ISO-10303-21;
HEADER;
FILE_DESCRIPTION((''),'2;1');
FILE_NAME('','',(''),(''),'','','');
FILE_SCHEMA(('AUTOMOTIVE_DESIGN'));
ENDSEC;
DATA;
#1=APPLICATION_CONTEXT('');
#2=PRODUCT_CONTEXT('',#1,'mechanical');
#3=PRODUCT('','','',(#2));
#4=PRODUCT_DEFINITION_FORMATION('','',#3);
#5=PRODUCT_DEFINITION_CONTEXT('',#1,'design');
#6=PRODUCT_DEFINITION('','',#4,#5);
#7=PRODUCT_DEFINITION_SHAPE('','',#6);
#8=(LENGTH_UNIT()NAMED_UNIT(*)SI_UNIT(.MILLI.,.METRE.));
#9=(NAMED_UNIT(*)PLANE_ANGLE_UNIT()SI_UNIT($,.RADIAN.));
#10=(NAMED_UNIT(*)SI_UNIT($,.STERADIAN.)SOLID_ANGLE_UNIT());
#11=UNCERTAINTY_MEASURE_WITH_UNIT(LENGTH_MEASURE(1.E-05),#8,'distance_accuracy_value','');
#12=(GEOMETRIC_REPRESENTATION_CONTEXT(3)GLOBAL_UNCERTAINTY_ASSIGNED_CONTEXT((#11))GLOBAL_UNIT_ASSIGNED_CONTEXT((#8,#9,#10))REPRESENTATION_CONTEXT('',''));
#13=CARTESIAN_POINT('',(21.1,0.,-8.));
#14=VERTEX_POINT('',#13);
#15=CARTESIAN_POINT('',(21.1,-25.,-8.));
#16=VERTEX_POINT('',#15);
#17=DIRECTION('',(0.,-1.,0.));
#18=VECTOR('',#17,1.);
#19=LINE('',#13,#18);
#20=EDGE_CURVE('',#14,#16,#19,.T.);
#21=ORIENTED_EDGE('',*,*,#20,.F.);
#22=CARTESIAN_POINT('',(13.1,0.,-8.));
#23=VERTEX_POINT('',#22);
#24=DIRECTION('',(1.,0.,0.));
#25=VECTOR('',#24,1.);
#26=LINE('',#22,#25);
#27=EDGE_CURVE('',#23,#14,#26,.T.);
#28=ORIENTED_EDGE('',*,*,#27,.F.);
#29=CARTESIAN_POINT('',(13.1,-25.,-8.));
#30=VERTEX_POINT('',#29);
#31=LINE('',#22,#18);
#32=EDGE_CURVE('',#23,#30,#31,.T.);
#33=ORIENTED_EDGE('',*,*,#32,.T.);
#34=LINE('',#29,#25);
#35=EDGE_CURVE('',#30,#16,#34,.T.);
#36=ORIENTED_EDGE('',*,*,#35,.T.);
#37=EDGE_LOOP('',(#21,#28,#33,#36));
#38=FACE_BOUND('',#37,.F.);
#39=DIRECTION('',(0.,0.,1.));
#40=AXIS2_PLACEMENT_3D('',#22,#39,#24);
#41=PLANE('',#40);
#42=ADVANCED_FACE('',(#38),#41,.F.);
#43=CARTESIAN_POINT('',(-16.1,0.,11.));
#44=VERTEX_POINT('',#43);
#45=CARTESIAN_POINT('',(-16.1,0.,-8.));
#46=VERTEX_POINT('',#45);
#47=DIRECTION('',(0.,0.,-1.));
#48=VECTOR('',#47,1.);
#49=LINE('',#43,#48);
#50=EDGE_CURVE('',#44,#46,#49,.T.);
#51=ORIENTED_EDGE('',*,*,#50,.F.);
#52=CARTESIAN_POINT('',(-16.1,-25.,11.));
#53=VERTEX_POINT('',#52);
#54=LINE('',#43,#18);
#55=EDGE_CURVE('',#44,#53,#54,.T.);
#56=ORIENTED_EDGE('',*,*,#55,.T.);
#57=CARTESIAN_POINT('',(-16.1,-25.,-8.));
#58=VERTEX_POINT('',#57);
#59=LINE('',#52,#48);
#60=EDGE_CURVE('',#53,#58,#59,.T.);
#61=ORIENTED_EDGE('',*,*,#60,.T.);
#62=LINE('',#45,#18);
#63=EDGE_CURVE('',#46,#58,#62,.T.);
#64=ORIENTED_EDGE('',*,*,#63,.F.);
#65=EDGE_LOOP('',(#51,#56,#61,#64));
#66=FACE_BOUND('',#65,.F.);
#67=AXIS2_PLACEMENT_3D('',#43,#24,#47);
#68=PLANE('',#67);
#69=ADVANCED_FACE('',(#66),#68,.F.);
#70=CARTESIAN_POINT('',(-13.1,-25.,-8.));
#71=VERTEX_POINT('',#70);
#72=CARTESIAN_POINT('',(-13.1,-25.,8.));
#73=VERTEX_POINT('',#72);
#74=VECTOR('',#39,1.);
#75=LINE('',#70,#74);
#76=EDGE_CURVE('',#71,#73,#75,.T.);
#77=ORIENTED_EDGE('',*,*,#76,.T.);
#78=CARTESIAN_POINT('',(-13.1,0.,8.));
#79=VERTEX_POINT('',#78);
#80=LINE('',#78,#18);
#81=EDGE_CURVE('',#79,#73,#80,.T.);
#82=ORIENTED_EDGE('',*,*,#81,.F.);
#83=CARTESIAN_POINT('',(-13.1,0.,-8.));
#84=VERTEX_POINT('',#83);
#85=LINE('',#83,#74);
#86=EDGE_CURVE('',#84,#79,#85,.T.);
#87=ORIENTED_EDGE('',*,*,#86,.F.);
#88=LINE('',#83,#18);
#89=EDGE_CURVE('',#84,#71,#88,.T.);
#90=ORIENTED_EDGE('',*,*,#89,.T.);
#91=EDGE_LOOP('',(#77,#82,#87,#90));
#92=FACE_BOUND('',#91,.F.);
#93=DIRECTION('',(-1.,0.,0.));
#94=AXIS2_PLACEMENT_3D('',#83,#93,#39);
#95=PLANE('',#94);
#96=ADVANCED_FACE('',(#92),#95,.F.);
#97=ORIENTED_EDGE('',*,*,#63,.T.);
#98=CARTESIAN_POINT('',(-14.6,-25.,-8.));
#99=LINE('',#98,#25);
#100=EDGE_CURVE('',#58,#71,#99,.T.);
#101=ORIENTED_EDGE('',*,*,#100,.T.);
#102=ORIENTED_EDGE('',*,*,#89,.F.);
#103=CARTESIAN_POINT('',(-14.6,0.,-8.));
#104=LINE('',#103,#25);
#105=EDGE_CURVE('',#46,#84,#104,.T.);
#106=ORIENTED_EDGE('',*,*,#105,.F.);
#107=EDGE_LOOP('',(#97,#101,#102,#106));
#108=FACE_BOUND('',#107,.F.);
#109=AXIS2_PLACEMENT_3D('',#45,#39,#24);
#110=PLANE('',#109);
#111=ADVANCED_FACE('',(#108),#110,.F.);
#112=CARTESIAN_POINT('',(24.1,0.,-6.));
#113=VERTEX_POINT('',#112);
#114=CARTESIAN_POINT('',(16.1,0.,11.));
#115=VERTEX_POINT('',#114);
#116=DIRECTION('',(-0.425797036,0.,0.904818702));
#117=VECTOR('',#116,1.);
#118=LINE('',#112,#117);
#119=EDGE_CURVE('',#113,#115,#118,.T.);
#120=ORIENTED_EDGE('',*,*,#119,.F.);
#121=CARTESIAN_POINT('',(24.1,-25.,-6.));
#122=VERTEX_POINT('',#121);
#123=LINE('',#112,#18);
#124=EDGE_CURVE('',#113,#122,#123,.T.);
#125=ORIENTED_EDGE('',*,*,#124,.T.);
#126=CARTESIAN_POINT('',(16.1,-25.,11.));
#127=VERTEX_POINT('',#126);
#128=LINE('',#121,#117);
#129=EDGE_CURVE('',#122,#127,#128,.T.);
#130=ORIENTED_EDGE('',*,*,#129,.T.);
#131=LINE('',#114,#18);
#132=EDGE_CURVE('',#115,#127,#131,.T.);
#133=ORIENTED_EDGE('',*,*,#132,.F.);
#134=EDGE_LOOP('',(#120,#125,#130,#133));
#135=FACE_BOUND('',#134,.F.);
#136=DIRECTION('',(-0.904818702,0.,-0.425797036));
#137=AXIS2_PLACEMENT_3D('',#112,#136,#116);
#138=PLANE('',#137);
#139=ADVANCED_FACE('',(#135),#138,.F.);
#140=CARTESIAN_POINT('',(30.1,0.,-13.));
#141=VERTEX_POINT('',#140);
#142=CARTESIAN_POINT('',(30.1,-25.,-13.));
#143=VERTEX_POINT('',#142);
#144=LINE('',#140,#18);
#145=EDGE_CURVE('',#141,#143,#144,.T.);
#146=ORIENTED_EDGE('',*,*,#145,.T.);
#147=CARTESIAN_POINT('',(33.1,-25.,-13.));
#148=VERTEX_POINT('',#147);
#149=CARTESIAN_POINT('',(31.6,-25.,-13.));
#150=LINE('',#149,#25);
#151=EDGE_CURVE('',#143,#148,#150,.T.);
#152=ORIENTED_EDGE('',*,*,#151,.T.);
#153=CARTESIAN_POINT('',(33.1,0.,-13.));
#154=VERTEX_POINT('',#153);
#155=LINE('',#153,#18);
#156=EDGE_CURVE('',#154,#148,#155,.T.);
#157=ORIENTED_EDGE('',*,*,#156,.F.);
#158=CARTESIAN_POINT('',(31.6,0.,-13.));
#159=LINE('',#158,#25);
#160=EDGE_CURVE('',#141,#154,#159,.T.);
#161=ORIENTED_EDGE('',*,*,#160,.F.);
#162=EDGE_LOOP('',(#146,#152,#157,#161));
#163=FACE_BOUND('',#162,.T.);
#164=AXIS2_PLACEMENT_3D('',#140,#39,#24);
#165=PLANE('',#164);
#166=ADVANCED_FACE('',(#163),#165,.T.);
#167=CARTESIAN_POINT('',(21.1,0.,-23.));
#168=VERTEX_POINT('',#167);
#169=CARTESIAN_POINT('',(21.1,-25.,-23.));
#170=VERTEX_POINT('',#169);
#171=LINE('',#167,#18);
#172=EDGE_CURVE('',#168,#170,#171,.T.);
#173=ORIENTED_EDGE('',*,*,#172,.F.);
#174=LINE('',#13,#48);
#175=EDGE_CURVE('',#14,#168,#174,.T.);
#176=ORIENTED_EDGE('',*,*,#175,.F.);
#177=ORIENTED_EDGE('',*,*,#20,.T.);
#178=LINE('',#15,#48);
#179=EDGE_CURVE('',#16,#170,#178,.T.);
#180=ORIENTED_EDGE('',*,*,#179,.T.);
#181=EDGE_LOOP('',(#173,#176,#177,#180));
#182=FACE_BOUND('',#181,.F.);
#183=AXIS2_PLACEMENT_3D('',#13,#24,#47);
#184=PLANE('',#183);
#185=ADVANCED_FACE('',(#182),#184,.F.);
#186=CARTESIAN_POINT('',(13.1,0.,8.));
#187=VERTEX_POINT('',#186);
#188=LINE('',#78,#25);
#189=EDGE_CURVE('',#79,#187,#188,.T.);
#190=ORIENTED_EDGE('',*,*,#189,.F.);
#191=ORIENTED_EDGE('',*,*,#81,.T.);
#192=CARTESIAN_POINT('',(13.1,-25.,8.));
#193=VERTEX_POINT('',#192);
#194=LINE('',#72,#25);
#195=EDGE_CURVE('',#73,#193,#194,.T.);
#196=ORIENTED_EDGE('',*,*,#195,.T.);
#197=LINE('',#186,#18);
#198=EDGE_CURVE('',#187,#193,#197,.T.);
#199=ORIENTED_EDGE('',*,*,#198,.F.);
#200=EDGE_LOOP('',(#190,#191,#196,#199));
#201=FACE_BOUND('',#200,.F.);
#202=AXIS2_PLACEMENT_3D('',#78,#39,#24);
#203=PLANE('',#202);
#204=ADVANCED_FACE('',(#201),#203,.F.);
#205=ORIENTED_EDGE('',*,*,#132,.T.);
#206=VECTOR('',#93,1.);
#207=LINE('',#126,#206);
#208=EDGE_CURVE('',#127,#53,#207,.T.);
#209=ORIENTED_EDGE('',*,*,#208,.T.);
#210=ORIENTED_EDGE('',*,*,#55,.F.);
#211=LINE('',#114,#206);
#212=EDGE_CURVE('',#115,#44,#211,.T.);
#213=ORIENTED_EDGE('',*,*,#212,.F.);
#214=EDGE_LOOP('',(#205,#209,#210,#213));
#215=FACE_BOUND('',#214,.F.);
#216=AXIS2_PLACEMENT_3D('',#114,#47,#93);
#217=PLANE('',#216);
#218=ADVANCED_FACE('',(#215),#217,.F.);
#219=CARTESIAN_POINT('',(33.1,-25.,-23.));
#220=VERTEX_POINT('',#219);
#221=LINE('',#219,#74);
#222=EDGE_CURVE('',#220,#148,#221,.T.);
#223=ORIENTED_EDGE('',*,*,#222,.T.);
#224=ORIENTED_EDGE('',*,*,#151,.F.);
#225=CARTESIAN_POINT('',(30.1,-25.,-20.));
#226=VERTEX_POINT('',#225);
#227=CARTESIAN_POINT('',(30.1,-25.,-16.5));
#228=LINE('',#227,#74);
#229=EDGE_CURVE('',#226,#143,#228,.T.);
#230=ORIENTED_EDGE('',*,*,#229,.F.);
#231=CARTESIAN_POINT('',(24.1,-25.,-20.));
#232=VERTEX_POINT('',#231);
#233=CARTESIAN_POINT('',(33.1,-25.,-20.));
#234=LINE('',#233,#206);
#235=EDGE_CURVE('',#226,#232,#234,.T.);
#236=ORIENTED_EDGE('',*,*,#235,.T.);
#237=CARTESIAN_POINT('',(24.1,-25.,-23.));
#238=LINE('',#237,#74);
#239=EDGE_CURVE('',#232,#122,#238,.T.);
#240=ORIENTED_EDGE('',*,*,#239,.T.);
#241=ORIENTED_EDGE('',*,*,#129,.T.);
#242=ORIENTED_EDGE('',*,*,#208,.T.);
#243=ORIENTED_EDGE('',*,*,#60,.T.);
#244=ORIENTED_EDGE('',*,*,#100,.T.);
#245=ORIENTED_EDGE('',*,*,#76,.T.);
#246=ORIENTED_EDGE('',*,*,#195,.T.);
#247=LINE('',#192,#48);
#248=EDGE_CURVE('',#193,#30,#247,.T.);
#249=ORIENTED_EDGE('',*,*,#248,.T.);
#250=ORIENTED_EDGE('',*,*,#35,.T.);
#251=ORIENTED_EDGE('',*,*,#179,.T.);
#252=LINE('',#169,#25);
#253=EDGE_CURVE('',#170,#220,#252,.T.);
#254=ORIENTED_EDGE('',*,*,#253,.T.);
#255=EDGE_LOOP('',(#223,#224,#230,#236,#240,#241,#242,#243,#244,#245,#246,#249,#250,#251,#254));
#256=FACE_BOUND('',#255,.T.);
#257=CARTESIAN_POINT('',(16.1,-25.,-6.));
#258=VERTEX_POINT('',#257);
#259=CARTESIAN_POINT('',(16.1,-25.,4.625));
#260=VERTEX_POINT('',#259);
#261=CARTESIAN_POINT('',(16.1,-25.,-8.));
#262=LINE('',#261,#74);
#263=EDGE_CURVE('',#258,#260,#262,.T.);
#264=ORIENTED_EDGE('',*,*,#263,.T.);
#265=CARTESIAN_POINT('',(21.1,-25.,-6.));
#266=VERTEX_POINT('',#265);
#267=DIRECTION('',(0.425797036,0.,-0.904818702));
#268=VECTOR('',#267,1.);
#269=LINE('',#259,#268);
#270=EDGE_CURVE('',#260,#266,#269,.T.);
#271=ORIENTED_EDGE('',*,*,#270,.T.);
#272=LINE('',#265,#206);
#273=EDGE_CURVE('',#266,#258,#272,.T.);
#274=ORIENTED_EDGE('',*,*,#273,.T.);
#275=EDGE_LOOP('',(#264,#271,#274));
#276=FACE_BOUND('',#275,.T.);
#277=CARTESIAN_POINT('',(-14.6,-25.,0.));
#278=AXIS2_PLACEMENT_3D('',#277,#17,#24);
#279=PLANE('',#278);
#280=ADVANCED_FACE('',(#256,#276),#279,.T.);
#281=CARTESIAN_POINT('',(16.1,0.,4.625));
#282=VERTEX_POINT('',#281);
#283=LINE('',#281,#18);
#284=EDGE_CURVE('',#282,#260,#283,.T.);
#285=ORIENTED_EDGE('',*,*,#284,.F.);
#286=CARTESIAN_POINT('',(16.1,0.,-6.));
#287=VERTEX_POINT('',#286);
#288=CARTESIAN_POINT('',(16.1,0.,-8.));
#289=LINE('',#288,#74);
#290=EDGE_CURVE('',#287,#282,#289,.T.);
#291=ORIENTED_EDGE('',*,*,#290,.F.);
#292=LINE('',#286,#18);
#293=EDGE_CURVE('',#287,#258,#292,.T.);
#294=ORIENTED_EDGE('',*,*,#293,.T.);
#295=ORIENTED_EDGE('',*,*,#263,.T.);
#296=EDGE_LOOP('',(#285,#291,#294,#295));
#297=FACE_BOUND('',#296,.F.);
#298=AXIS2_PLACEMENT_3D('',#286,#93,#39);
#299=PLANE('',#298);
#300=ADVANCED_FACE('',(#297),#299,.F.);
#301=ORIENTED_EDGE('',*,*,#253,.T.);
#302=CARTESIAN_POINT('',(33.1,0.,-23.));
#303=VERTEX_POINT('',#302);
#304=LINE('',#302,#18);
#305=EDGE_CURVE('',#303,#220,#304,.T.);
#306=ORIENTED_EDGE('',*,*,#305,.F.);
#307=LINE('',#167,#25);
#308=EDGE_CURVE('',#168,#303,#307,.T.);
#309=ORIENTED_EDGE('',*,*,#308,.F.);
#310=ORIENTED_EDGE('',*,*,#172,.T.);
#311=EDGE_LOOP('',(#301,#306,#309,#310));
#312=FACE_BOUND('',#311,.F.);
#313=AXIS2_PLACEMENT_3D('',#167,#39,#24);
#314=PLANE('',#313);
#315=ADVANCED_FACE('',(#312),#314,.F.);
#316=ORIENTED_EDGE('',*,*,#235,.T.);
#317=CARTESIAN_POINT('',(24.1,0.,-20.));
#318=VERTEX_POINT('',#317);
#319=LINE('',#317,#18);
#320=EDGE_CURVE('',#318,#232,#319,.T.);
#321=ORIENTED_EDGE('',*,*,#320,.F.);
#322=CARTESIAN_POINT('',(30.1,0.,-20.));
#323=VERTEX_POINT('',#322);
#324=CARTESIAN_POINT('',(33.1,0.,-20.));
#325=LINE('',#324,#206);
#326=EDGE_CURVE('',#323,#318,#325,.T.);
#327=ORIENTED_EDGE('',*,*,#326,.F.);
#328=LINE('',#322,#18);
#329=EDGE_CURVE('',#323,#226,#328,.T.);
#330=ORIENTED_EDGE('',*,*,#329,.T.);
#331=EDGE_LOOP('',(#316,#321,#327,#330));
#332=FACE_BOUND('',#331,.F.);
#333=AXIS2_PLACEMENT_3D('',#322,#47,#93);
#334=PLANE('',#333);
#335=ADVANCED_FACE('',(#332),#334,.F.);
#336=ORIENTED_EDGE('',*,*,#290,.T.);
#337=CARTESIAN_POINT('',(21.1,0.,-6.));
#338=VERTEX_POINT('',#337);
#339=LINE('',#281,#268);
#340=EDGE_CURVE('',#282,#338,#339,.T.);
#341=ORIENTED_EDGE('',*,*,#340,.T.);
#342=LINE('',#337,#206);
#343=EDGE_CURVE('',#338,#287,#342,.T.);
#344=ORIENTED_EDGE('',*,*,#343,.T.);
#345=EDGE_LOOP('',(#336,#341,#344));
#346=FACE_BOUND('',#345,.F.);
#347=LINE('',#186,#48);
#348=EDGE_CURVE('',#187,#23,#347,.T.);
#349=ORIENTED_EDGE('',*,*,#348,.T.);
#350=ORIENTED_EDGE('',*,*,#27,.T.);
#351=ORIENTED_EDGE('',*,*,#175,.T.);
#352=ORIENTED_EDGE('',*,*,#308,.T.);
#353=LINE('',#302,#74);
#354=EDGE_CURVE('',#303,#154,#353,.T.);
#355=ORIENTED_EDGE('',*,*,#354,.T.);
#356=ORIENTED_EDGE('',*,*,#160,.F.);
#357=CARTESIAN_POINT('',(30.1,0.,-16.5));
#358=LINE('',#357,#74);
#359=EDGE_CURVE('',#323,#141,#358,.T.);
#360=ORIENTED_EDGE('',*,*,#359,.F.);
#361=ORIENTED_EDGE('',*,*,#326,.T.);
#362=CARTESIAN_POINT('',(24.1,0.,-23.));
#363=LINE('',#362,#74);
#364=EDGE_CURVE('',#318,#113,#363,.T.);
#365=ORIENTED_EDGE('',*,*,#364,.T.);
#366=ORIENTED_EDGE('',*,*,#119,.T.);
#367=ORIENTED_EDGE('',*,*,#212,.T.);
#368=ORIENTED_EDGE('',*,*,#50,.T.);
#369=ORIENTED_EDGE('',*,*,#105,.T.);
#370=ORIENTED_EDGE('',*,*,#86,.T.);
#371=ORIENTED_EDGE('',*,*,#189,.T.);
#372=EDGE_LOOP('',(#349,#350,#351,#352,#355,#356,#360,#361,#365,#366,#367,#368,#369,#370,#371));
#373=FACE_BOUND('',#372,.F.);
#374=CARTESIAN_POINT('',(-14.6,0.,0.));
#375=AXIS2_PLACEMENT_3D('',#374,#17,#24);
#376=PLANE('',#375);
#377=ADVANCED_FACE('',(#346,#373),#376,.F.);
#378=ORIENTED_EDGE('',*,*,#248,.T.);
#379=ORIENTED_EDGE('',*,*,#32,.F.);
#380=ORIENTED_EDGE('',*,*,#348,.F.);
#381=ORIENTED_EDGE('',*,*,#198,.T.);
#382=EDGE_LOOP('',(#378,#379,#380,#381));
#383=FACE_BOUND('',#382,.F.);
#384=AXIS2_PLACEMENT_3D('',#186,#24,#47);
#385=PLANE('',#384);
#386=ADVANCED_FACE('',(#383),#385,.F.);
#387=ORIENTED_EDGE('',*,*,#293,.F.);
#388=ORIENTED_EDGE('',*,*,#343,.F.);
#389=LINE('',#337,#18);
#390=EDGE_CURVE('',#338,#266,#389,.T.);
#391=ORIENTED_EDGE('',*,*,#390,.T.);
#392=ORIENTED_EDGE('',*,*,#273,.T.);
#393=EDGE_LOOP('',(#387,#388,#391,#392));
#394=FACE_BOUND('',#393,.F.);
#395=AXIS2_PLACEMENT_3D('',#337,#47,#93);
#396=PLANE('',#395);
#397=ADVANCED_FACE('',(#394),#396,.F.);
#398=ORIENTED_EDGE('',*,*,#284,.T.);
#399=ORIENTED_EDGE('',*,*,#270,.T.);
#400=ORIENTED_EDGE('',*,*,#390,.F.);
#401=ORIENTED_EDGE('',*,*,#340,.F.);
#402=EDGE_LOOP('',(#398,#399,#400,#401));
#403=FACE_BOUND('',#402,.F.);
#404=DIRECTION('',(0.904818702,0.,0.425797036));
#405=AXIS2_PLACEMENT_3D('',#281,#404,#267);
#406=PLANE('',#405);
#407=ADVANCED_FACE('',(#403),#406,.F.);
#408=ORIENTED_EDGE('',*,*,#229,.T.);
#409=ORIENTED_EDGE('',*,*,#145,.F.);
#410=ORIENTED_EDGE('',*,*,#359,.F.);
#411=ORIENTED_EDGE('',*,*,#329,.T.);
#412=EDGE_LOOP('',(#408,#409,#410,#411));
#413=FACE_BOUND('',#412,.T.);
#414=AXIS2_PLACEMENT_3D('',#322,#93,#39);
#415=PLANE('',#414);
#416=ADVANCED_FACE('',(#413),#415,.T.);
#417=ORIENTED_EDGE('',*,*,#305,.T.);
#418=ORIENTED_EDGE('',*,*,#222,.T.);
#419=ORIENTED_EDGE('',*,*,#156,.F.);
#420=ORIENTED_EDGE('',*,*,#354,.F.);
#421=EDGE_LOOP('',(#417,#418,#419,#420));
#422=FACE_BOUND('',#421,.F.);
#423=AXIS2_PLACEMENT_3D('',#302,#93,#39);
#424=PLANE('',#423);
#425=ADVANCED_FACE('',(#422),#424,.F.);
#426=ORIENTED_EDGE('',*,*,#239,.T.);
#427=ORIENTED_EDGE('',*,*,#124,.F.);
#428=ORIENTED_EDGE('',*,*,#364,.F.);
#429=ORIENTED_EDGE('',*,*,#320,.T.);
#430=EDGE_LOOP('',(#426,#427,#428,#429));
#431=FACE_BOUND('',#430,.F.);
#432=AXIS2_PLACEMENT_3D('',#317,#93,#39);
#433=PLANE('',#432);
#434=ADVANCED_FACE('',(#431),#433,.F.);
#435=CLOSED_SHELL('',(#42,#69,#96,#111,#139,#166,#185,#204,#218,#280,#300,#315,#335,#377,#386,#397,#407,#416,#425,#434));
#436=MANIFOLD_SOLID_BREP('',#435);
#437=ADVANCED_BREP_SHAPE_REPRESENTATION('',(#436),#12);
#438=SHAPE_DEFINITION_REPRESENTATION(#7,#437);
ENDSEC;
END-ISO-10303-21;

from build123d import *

# Parameters (mm, degrees)
F0_W     = 3
F0_H     = 16
F0_H_2   = 3
F0_W_2   = 26.2
F0_H_3   = 7
F1_DEPTH = 25


with BuildPart() as f1:
    # F0 (on Front) → F1 (new body)
    with BuildSketch(Plane.XZ):
        with Locations((-14.6, 0)):
            Rectangle(F0_W, F0_H)
        with Locations((-14.6, 9.5)):
            Rectangle(F0_W, F0_H_2)
        with Locations((0, 9.5)):
            Rectangle(F0_W_2, F0_H_2)
        with Locations((14.6, 9.5)):
            Rectangle(F0_W, F0_H_2)
        Polygon((13.1, 8), (13.1, -8), (16.1, -8), (16.1, -6), (16.1, 4.625), (16.1, 8), align=None)
        Polygon((16.1, 11), (16.1, 8), (16.1, 4.625), (21.1, -6), (24.1, -6), align=None)
        Polygon((16.1, -6), (16.1, -8), (21.1, -8), (24.1, -8), (24.1, -6), (21.1, -6), align=None)
        Polygon((24.1, -8), (21.1, -8), (21.1, -23), (24.1, -23), (24.1, -20), align=None)
        Polygon((30.1, -20), (24.1, -20), (24.1, -23), (33.1, -23), (33.1, -20), align=None)
        with Locations((31.6, -16.5)):
            Rectangle(F0_W, F0_H_3)
    extrude(amount=F1_DEPTH)


solid = f1.part
